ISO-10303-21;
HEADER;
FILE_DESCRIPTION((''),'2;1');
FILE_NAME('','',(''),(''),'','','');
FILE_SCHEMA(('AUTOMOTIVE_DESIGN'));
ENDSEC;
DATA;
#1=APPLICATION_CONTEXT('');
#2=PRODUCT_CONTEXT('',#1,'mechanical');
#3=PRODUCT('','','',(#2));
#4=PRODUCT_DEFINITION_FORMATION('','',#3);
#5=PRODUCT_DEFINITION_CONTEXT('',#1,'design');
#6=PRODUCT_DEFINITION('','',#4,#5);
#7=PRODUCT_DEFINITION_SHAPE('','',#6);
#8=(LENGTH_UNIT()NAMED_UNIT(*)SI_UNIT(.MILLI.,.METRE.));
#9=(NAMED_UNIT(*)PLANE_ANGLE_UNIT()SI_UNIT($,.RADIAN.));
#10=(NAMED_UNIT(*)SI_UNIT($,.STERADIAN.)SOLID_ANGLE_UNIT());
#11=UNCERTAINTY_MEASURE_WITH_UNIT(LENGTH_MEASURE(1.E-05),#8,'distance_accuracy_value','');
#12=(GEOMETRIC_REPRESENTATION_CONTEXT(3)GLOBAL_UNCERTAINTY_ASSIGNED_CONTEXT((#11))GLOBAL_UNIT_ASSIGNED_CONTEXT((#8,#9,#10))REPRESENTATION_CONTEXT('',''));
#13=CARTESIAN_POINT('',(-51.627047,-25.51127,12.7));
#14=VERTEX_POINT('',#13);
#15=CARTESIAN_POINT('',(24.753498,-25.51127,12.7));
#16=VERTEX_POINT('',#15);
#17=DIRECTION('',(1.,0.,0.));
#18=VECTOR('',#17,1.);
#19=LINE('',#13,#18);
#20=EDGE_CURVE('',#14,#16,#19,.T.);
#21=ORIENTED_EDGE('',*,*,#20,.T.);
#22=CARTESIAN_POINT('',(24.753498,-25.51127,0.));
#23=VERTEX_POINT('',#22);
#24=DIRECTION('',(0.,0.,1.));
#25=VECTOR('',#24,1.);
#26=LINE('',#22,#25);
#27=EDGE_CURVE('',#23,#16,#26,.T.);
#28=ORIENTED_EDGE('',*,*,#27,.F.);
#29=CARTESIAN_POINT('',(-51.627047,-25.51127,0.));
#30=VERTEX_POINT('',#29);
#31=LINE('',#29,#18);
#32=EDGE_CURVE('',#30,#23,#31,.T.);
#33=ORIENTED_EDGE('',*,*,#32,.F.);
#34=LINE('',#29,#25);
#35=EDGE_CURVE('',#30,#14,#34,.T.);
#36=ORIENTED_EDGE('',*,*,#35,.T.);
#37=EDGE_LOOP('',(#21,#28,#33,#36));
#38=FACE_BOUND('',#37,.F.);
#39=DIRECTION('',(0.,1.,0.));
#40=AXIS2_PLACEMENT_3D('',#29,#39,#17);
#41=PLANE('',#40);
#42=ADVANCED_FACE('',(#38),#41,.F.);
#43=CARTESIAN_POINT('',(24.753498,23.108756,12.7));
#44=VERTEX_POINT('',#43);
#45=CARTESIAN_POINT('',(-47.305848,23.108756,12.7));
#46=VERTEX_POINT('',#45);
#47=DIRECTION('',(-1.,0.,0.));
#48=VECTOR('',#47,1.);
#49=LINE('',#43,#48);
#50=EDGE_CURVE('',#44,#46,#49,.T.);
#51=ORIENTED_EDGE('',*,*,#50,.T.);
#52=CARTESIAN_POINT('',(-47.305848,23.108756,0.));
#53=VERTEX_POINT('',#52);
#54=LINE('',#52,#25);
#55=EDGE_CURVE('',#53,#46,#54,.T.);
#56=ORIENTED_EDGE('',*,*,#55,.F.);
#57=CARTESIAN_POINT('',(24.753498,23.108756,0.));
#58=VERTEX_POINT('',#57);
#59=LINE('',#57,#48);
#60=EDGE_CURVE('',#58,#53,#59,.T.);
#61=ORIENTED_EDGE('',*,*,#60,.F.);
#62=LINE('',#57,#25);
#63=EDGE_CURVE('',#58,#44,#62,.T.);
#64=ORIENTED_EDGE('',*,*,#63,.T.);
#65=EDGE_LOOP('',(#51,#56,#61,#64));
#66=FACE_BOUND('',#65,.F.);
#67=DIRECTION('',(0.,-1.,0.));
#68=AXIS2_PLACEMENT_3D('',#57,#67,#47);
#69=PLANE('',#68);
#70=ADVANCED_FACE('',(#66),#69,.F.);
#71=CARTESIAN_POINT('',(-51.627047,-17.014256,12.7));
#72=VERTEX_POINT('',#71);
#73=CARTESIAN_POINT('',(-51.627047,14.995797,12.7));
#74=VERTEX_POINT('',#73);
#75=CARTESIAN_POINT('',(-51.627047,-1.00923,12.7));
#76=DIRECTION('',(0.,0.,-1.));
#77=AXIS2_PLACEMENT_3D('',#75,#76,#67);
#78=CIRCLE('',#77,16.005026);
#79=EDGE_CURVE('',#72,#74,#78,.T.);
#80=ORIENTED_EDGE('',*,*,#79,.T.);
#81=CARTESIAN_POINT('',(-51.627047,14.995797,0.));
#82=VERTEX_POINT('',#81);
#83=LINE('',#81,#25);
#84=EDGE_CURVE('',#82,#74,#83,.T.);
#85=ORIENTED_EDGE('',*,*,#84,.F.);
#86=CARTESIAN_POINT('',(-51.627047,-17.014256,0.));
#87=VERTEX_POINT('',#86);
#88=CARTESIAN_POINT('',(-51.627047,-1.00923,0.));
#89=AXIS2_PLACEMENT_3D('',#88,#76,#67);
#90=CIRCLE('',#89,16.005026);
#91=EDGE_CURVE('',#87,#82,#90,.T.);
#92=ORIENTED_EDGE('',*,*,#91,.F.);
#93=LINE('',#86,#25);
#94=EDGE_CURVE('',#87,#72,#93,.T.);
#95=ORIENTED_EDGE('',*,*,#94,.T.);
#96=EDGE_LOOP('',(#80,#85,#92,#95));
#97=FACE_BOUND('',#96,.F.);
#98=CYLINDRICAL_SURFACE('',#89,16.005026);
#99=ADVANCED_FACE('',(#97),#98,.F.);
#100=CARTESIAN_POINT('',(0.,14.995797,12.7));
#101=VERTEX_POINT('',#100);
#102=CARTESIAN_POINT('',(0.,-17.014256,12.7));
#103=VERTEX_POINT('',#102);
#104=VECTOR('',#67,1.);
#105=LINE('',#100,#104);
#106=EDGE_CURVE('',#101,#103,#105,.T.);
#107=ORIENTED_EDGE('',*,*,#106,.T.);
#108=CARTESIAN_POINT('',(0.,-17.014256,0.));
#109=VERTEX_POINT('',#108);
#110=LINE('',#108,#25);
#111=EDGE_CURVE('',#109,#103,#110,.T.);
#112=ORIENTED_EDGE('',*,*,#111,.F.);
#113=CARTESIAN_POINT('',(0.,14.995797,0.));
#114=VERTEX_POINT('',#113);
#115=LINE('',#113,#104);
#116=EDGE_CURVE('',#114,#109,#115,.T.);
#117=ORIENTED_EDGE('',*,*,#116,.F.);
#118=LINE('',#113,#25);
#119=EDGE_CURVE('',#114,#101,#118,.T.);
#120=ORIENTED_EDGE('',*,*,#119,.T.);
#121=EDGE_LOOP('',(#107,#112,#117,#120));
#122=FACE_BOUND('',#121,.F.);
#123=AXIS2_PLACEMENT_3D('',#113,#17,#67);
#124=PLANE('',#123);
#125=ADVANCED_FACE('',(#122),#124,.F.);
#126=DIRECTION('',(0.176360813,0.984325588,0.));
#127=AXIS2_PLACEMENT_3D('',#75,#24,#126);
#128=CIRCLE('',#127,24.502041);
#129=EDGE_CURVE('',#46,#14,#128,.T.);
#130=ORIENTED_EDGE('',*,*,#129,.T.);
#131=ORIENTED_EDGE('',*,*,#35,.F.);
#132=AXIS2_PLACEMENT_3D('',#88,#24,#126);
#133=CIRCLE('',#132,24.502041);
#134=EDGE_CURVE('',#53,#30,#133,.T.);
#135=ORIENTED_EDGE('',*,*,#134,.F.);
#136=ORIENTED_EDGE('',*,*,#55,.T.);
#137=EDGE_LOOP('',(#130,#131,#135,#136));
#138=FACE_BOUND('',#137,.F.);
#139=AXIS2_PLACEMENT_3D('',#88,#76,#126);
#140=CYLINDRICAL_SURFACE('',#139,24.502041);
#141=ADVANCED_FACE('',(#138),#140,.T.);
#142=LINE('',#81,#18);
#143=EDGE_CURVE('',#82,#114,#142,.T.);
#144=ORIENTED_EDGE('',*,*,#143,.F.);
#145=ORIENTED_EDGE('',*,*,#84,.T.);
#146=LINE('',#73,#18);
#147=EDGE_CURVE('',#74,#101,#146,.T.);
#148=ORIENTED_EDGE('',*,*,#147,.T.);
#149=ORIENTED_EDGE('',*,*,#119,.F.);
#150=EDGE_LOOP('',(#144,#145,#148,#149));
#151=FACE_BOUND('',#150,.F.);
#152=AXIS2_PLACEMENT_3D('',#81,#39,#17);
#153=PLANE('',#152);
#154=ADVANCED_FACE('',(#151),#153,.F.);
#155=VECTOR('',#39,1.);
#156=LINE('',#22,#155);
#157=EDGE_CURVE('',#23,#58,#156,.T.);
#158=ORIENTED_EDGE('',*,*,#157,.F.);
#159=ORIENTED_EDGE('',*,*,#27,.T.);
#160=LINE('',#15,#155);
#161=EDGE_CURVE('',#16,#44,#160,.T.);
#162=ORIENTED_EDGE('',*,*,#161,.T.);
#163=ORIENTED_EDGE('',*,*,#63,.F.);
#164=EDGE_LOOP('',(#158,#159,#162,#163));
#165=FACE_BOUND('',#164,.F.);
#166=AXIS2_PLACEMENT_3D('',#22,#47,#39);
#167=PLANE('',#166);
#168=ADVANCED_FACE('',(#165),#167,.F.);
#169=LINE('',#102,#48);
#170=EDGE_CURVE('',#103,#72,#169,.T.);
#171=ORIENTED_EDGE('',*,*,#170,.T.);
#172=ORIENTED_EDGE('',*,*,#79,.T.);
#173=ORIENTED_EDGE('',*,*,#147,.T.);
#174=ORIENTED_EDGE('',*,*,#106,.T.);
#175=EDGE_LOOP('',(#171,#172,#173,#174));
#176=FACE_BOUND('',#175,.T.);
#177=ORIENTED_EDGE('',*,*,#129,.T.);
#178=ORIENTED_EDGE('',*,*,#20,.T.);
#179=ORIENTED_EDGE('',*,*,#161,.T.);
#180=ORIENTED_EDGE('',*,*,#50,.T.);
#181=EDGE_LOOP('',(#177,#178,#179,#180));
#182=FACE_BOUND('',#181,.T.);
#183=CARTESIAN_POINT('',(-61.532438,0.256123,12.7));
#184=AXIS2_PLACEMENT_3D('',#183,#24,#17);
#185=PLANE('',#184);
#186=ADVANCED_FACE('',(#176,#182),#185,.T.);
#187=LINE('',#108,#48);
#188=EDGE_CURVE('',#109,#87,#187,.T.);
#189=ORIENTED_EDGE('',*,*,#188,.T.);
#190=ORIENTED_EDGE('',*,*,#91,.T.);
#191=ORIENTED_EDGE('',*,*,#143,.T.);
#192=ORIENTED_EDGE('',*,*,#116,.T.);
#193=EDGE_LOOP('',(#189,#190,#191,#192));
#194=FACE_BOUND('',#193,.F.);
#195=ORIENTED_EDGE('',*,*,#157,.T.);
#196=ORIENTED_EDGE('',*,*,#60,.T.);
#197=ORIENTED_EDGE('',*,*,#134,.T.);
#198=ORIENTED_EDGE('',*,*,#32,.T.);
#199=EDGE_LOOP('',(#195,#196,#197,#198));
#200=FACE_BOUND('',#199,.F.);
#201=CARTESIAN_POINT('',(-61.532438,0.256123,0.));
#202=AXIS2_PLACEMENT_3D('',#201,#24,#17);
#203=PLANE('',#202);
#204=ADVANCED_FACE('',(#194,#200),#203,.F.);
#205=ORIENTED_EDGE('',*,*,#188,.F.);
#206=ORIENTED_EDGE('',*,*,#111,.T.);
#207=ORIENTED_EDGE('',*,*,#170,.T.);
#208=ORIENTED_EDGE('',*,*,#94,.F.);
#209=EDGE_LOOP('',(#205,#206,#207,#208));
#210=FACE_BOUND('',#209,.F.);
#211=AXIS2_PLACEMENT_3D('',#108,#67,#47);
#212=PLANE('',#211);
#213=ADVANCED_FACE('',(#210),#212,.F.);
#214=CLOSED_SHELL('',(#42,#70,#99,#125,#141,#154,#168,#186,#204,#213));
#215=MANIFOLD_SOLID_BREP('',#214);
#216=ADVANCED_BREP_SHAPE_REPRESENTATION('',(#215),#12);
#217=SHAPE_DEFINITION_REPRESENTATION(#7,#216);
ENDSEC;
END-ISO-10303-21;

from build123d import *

# Parameters (mm, degrees)
F1_DEPTH = 12.7


with BuildPart() as f1:
    # F0 (on Top) → F1 (new body)
    with BuildSketch(Plane.XY):
        with BuildLine():
            ThreePointArc((-47.3058475157, 23.1087561697), (-76.0328855481, 1.1598869775), (-51.6270473599, -25.511270389))
            Line((-51.6270473599, -25.511270389), (-51.6270473599, -17.0142557472))
            ThreePointArc((-51.6270473599, -17.0142557472), (-67.6320735365, -1.0092295706), (-51.6270473599, 14.9957966059))
            Line((-51.6270473599, 14.9957966059), (-51.6270473599, 23.1087561697))
            Line((-51.6270473599, 23.1087561697), (-47.3058475157, 23.1087561697))
        make_face()
        with BuildLine():
            ThreePointArc((-33.0747121606, -17.0142557472), (-41.4242487344, -23.2859641713), (-51.6270473599, -25.511270389))
            Line((-51.6270473599, -25.511270389), (24.7534979135, -25.511270389))
            Line((24.7534979135, -25.511270389), (24.7534979135, 23.1087561697))
            Line((24.7534979135, 23.1087561697), (-47.3058475157, 23.1087561697))
            ThreePointArc((-47.3058475157, 23.1087561697), (-39.4921934437, 20.2768063378), (-33.0747121606, 14.9957966059))
            Line((-33.0747121606, 14.9957966059), (0, 14.9957966059))
            Line((0, 14.9957966059), (0, -17.0142557472))
            Line((0, -17.0142557472), (-33.0747121606, -17.0142557472))
        make_face()
        with BuildLine():
            Line((-51.6270473599, -17.0142557472), (-51.6270473599, -25.511270389))
            ThreePointArc((-51.6270473599, -25.511270389), (-41.4242487344, -23.2859641713), (-33.0747121606, -17.0142557472))
            Line((-33.0747121606, -17.0142557472), (-51.6270473599, -17.0142557472))
        make_face()
        with BuildLine():
            ThreePointArc((-33.0747121606, 14.9957966059), (-39.4921934437, 20.2768063378), (-47.3058475157, 23.1087561697))
            Line((-47.3058475157, 23.1087561697), (-51.6270473599, 23.1087561697))
            Line((-51.6270473599, 23.1087561697), (-51.6270473599, 14.9957966059))
            Line((-51.6270473599, 14.9957966059), (-33.0747121606, 14.9957966059))
        make_face()
    extrude(amount=F1_DEPTH)


solid = f1.part
